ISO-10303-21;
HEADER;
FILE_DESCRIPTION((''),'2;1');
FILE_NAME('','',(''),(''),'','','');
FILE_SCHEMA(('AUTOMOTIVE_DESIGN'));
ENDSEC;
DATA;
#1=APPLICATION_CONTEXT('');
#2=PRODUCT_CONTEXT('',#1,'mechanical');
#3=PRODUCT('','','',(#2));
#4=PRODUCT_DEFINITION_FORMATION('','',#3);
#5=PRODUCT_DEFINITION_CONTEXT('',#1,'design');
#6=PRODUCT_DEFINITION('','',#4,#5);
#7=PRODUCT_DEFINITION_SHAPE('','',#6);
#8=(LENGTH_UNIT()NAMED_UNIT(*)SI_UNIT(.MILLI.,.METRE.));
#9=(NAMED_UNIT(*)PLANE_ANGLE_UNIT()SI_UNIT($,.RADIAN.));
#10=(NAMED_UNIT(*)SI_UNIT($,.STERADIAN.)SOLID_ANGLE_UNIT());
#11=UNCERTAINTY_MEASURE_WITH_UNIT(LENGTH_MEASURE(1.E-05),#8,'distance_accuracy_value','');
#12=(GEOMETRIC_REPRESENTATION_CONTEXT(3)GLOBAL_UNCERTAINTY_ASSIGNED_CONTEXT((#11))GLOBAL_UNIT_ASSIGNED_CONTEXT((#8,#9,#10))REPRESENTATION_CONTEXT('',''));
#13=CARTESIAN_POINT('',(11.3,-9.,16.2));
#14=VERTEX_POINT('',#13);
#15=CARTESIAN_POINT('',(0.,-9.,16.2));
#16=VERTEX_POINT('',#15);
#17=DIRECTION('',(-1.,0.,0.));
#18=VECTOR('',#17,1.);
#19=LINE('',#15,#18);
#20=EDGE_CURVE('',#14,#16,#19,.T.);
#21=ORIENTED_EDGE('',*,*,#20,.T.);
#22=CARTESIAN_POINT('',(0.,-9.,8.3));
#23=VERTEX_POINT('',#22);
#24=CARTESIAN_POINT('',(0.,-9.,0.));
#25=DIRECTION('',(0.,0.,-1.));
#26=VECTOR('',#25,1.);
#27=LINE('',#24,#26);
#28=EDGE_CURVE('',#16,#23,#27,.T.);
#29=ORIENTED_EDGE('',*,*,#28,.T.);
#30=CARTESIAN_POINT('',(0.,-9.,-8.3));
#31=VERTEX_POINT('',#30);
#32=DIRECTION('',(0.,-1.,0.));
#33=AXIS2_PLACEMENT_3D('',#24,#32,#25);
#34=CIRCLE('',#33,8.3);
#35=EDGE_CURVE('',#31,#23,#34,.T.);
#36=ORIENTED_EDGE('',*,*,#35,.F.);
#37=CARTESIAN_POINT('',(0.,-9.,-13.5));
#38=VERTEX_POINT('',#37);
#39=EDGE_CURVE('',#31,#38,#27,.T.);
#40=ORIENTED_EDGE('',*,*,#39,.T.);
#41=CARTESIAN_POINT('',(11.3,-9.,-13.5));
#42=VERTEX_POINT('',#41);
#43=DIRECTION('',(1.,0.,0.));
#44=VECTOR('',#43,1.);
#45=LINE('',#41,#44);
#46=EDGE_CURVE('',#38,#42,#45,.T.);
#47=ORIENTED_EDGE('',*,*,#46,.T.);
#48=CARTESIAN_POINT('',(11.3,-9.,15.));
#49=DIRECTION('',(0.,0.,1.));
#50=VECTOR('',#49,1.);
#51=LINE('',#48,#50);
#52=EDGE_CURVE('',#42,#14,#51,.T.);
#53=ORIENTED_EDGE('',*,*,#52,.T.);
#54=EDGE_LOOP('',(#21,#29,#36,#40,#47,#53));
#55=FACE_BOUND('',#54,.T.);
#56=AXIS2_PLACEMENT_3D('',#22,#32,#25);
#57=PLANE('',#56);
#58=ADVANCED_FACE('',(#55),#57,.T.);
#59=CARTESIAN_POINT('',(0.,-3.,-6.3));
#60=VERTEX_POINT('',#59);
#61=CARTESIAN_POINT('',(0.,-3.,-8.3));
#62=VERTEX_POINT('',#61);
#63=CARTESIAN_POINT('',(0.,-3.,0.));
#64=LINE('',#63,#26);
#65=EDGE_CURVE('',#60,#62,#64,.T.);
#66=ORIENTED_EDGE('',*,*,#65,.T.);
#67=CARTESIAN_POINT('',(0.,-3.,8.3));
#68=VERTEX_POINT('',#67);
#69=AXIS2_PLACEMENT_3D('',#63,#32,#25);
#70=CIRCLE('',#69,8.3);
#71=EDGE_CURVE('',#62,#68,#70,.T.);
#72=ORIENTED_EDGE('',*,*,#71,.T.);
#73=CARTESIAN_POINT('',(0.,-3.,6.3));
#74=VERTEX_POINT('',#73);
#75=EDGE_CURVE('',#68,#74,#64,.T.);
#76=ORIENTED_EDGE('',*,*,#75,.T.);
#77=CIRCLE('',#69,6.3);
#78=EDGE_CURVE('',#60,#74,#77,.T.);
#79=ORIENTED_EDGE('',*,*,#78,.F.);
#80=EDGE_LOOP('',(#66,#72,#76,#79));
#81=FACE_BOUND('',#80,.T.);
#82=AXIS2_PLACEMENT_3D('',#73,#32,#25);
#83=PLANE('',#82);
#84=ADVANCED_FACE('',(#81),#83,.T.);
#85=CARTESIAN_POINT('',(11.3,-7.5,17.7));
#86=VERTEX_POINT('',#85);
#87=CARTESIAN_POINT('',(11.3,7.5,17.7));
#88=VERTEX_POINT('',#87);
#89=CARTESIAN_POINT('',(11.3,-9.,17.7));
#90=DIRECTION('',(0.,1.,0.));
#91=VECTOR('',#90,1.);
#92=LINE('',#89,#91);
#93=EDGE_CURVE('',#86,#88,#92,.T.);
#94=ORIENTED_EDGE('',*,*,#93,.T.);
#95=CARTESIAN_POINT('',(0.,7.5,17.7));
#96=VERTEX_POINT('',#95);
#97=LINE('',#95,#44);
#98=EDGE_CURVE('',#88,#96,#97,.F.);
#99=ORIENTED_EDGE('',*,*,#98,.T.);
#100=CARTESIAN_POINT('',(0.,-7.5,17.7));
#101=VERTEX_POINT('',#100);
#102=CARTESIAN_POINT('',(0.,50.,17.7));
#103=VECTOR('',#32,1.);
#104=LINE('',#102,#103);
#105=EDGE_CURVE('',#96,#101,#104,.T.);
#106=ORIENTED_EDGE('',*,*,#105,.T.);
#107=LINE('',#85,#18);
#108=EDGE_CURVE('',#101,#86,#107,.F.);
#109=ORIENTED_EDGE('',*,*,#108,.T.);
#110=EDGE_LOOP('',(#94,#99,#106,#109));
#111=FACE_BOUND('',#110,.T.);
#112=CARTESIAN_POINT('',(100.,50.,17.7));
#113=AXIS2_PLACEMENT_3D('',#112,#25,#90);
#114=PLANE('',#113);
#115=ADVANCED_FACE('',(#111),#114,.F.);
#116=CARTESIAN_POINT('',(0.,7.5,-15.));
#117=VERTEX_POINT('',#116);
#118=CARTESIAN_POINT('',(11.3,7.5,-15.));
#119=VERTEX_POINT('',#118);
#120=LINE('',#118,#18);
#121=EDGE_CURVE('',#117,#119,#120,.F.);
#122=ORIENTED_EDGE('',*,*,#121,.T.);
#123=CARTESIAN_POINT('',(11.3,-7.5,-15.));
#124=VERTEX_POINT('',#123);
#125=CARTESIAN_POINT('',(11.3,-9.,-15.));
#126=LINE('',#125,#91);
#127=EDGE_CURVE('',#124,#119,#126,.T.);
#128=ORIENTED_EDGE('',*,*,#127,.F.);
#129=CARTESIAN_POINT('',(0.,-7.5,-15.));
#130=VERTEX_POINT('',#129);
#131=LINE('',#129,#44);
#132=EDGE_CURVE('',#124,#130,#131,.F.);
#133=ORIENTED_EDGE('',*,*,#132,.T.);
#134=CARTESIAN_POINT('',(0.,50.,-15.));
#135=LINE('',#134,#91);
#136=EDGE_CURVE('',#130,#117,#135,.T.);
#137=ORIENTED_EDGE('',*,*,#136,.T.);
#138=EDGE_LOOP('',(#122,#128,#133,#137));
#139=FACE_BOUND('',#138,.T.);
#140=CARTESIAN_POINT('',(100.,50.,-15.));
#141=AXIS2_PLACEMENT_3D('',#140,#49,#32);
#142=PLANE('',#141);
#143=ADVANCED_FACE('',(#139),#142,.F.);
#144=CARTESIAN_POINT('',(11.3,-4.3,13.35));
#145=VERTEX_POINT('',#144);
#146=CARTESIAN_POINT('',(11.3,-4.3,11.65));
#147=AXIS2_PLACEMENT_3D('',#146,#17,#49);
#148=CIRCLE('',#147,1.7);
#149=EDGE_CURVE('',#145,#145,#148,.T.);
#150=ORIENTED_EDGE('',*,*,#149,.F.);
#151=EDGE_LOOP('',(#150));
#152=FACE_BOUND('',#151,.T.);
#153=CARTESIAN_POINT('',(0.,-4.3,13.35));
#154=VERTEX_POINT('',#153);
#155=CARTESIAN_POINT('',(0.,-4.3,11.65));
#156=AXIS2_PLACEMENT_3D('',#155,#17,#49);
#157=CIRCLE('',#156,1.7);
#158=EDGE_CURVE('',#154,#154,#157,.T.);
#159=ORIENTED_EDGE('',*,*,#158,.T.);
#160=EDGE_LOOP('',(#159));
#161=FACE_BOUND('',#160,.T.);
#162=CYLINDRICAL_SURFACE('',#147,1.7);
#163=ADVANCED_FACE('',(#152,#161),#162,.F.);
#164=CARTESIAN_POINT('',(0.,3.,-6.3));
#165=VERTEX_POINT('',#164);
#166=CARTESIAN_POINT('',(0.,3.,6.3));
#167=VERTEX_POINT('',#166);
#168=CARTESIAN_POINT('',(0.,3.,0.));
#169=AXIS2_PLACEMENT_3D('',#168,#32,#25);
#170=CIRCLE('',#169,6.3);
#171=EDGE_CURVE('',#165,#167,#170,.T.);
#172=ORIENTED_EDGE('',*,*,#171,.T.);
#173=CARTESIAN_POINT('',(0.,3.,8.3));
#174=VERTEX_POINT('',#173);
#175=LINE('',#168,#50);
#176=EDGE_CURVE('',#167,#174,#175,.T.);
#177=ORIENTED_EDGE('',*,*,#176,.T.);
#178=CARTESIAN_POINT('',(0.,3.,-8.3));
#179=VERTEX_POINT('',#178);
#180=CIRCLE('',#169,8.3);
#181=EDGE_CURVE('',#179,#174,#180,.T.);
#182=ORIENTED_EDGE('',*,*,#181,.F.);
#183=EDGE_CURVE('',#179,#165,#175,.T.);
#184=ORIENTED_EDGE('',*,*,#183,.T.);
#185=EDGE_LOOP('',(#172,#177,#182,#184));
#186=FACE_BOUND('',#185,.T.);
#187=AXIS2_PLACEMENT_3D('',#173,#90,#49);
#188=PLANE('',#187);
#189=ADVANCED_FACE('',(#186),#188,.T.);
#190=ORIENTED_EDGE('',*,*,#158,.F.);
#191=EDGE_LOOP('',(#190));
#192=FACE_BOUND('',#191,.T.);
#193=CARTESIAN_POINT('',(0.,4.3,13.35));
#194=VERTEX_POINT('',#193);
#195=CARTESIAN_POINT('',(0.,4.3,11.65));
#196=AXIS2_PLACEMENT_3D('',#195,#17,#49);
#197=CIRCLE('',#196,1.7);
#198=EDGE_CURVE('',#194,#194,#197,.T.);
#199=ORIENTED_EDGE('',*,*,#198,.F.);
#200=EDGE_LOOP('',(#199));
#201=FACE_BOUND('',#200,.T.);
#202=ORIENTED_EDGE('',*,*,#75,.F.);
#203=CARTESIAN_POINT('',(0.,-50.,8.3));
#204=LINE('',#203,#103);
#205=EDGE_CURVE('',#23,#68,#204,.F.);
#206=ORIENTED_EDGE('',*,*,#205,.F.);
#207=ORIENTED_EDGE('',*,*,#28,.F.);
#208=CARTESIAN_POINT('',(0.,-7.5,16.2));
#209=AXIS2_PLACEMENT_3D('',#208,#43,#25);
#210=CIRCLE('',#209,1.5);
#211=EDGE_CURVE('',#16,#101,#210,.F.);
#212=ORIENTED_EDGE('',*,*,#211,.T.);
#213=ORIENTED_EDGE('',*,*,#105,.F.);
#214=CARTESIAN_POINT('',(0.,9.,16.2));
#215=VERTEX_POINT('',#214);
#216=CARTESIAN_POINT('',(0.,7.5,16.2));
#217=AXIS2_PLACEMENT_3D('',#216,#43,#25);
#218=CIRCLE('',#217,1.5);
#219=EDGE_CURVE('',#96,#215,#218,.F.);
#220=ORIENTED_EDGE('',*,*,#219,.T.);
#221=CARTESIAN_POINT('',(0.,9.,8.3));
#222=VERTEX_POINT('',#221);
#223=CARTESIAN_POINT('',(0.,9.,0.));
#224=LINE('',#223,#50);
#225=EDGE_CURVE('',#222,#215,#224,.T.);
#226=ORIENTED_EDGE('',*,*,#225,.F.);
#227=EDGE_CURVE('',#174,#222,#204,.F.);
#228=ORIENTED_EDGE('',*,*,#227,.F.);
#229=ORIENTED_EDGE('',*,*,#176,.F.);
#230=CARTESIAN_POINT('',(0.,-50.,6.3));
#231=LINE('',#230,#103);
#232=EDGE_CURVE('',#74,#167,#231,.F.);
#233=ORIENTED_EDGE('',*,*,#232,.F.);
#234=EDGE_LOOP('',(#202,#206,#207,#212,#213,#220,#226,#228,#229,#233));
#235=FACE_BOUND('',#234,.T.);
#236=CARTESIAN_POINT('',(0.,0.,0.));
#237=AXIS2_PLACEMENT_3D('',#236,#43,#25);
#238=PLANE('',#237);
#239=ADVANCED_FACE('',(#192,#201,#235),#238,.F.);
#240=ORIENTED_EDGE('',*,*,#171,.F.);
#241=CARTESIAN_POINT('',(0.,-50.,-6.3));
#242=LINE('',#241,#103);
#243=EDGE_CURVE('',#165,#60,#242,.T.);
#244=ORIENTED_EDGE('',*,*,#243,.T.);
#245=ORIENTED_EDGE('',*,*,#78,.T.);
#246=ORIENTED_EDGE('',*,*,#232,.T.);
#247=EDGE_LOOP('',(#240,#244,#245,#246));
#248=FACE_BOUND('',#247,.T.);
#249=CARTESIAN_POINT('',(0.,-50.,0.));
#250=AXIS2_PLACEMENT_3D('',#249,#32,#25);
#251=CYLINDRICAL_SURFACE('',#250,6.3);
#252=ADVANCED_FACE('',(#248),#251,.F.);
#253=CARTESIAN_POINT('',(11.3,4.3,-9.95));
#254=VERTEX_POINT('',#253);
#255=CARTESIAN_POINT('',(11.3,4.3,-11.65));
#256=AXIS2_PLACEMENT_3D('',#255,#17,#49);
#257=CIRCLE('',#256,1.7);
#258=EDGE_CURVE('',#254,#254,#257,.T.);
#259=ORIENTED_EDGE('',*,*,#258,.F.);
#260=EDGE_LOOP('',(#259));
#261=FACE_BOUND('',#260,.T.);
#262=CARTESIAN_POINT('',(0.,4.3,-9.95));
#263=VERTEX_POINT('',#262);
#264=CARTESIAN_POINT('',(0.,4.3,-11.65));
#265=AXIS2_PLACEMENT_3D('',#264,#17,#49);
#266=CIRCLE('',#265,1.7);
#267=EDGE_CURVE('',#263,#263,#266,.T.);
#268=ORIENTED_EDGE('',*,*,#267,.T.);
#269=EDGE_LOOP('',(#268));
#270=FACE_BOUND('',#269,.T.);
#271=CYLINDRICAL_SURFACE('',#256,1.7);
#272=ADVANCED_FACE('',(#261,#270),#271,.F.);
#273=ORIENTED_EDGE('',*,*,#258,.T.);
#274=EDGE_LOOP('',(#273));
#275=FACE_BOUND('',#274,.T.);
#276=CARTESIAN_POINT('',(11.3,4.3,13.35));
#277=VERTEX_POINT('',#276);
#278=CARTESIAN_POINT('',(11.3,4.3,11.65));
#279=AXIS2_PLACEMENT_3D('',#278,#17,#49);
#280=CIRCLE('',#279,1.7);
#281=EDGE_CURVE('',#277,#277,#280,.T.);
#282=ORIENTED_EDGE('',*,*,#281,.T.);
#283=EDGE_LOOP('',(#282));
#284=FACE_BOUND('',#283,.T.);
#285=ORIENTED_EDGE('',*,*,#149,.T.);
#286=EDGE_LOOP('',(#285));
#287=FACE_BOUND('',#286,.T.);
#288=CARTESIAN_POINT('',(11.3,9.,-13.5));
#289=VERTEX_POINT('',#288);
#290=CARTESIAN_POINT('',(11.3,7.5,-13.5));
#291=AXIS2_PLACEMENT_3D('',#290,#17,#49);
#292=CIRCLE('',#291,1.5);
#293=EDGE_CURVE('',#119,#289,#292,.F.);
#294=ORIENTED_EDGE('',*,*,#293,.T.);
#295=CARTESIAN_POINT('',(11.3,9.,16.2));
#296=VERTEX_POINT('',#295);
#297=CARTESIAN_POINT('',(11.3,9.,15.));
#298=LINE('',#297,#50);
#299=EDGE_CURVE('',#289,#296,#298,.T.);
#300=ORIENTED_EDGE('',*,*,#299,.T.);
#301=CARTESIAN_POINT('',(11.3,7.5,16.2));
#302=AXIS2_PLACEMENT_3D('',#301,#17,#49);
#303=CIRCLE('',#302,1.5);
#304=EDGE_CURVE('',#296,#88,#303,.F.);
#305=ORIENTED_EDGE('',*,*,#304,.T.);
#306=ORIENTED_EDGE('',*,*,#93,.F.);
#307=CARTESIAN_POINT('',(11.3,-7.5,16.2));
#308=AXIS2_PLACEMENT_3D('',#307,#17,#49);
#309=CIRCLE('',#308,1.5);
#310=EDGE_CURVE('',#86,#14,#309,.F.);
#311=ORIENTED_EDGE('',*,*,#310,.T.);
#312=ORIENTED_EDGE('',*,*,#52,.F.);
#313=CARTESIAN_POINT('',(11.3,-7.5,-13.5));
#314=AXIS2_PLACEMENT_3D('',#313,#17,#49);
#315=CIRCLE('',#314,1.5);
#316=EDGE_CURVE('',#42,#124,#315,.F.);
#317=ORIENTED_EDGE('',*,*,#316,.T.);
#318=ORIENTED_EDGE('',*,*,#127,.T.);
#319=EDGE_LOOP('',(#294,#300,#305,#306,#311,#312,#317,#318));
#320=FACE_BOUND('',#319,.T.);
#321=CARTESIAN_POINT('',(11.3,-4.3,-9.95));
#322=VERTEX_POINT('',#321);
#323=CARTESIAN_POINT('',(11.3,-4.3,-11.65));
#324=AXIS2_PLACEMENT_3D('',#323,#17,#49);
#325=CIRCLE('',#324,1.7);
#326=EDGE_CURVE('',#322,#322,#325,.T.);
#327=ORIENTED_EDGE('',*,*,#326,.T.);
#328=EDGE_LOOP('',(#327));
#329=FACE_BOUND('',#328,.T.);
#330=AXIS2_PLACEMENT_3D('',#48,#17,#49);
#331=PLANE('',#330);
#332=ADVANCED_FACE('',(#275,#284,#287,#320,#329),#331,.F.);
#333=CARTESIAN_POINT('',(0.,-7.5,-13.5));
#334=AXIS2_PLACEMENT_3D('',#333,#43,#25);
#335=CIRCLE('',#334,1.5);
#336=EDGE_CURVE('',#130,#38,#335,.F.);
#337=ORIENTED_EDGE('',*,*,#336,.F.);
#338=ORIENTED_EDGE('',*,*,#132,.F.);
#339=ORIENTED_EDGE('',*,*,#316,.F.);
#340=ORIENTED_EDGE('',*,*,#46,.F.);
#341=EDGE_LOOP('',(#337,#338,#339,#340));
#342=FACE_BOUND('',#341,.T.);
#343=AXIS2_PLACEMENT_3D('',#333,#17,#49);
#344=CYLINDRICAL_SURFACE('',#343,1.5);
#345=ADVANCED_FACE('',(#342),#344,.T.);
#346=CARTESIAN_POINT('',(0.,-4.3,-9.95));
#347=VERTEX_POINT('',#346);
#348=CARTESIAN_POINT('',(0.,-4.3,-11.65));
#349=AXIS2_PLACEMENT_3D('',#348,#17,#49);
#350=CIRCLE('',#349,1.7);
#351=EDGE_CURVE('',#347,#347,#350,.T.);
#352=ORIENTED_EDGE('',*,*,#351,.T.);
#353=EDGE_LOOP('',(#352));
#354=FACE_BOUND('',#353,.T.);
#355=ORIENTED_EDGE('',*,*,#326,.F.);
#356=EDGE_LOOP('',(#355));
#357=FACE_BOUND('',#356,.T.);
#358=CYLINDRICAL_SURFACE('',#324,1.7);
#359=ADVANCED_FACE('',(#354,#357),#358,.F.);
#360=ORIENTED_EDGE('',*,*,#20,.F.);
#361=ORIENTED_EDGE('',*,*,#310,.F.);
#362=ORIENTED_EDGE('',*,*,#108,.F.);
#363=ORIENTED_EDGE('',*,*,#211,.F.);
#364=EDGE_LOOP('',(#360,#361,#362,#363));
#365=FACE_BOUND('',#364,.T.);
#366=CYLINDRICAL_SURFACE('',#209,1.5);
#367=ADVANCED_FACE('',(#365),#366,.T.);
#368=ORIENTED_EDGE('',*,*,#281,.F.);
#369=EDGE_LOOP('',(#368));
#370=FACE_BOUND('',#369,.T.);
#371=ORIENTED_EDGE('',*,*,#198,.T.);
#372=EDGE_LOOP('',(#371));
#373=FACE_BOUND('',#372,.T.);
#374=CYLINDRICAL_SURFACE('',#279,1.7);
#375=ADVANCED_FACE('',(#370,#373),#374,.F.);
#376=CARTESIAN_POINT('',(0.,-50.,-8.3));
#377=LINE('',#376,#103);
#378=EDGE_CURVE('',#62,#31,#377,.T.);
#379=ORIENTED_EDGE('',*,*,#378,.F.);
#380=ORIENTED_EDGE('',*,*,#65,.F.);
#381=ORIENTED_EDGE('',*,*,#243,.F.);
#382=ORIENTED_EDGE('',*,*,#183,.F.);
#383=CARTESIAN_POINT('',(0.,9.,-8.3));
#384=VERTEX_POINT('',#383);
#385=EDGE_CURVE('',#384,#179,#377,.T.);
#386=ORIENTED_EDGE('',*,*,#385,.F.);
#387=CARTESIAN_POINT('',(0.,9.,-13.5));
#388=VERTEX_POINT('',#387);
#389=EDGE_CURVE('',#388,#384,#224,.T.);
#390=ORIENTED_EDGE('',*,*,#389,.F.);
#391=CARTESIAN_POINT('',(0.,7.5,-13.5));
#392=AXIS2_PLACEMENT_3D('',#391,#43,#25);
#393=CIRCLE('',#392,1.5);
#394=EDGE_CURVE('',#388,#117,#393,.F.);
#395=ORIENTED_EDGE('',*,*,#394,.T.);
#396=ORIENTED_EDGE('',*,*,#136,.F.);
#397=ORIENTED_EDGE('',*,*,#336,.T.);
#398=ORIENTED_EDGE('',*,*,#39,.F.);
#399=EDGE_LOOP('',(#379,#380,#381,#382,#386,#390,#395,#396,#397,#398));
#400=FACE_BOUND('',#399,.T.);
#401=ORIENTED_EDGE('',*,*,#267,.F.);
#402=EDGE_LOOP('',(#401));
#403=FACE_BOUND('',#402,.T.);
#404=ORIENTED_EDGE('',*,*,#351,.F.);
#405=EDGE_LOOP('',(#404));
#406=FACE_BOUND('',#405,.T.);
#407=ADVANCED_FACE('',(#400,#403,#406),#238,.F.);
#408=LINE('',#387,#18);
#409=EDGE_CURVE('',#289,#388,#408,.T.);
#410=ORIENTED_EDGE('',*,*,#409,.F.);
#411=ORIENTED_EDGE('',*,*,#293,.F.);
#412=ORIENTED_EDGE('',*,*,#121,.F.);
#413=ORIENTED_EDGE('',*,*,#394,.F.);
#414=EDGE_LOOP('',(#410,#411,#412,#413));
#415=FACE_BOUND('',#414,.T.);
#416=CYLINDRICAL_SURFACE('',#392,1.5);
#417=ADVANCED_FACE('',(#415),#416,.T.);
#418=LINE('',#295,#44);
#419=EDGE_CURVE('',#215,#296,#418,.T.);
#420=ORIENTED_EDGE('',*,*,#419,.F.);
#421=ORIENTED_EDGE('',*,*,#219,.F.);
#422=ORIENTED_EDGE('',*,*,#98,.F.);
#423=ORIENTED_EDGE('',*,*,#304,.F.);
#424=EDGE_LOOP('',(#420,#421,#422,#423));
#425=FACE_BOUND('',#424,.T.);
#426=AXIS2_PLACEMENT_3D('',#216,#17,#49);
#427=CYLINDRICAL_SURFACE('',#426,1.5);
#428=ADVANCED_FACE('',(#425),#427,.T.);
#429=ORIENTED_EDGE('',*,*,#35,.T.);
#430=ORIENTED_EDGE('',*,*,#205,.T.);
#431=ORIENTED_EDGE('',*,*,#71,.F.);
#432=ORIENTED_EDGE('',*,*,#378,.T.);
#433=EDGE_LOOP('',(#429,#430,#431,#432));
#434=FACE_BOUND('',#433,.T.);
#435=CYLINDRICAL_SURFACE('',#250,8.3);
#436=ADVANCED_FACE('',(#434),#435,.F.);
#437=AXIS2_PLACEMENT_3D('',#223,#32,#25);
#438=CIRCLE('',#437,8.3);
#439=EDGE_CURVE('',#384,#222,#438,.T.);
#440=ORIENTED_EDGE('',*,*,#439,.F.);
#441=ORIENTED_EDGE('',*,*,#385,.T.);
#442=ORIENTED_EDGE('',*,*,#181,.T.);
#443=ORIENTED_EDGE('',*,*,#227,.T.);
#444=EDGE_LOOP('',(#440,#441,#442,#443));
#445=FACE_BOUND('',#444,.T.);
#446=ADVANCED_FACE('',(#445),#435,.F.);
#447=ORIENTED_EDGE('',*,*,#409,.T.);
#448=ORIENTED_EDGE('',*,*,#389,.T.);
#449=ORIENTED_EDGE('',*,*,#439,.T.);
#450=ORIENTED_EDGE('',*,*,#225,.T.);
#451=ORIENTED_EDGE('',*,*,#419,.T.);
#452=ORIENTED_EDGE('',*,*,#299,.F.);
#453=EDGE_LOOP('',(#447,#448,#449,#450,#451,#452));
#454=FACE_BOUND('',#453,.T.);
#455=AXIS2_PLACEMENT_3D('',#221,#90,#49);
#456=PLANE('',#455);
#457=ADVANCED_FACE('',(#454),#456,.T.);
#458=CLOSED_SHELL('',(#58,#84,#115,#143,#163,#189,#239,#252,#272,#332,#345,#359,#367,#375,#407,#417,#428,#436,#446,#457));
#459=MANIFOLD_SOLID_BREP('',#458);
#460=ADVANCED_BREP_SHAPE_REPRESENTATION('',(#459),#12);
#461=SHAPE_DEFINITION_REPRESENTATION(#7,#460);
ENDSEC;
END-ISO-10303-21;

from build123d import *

# Parameters (mm, degrees)
SKETCH8_W           = 30
SKETCH8_H           = 100
BOSS_EXTRUDE1_DEPTH = 100
SKETCH9_W           = 88.7
SKETCH9_H           = 30
CUT_EXTRUDE1_DEPTH  = 103.708324882
SKETCH10_R          = 1.7
CUT_EXTRUDE2_DEPTH  = 21.825225089
MOVE_FACE1_BY       = 2.7
FILLET1_R           = 1.5


with BuildPart() as part:
    # Sketch8 → Boss-Extrude1 (new body)
    with BuildSketch(Plane(origin=(0, 0, 0), x_dir=(0, 0, -1), z_dir=(1, 0, 0))):
        Rectangle(SKETCH8_W, SKETCH8_H)
    extrude(amount=BOSS_EXTRUDE1_DEPTH)

    # Sketch7 → Cut-Revolve3 (revolve, cut)
    with BuildSketch(Plane(origin=(0, 0, 0), x_dir=(0, 0, -1), z_dir=(1, 0, 0))):
        Polygon((-8.3, 9), (-150, 9), (-150, 50), (0, 50), (0, -50), (-150, -50), (-150, -9), (-8.3, -9), (-8.3, -3), (-6.3, -3), (-6.3, 3), (-8.3, 3), align=None)
    revolve(axis=Axis((0, -50, 0), (0, 1, 0)), mode=Mode.SUBTRACT)

    # Sketch9 → Cut-Extrude1 (cut, through all)
    with BuildSketch(Plane(origin=(0, 9, 0), x_dir=(1, 0, 0), z_dir=(0, 1, 0))):
        with Locations((55.65, 0)):
            Rectangle(SKETCH9_W, SKETCH9_H)
    extrude(amount=-CUT_EXTRUDE1_DEPTH, mode=Mode.SUBTRACT)

    # Sketch10 → Cut-Extrude2 (cut, through all)
    with BuildSketch(Plane.ZY):
        with Locations((-11.65, 4.3)):
            Circle(SKETCH10_R)
        with Locations((-11.65, -4.3)):
            Circle(SKETCH10_R)
        with Locations((11.65, -4.3)):
            Circle(SKETCH10_R)
        with Locations((11.65, 4.3)):
            Circle(SKETCH10_R)
    extrude(amount=-CUT_EXTRUDE2_DEPTH, mode=Mode.SUBTRACT)

    # Move Face1: a face moved outward by 2.7
    extrude(part.faces().sort_by_distance((5.65, 0, 15))[0], amount=MOVE_FACE1_BY, dir=(0, 0, 1))

    # Fillet1
    fillet1_edges = [part.edges().sort_by_distance(p)[0] for p in [
        (5.65, 9, 17.7),
        (5.65, -9, -15),
        (5.65, -9, 17.7),
        (5.65, 9, -15),
    ]]
    fillet(fillet1_edges, radius=FILLET1_R)


solid = part.part
